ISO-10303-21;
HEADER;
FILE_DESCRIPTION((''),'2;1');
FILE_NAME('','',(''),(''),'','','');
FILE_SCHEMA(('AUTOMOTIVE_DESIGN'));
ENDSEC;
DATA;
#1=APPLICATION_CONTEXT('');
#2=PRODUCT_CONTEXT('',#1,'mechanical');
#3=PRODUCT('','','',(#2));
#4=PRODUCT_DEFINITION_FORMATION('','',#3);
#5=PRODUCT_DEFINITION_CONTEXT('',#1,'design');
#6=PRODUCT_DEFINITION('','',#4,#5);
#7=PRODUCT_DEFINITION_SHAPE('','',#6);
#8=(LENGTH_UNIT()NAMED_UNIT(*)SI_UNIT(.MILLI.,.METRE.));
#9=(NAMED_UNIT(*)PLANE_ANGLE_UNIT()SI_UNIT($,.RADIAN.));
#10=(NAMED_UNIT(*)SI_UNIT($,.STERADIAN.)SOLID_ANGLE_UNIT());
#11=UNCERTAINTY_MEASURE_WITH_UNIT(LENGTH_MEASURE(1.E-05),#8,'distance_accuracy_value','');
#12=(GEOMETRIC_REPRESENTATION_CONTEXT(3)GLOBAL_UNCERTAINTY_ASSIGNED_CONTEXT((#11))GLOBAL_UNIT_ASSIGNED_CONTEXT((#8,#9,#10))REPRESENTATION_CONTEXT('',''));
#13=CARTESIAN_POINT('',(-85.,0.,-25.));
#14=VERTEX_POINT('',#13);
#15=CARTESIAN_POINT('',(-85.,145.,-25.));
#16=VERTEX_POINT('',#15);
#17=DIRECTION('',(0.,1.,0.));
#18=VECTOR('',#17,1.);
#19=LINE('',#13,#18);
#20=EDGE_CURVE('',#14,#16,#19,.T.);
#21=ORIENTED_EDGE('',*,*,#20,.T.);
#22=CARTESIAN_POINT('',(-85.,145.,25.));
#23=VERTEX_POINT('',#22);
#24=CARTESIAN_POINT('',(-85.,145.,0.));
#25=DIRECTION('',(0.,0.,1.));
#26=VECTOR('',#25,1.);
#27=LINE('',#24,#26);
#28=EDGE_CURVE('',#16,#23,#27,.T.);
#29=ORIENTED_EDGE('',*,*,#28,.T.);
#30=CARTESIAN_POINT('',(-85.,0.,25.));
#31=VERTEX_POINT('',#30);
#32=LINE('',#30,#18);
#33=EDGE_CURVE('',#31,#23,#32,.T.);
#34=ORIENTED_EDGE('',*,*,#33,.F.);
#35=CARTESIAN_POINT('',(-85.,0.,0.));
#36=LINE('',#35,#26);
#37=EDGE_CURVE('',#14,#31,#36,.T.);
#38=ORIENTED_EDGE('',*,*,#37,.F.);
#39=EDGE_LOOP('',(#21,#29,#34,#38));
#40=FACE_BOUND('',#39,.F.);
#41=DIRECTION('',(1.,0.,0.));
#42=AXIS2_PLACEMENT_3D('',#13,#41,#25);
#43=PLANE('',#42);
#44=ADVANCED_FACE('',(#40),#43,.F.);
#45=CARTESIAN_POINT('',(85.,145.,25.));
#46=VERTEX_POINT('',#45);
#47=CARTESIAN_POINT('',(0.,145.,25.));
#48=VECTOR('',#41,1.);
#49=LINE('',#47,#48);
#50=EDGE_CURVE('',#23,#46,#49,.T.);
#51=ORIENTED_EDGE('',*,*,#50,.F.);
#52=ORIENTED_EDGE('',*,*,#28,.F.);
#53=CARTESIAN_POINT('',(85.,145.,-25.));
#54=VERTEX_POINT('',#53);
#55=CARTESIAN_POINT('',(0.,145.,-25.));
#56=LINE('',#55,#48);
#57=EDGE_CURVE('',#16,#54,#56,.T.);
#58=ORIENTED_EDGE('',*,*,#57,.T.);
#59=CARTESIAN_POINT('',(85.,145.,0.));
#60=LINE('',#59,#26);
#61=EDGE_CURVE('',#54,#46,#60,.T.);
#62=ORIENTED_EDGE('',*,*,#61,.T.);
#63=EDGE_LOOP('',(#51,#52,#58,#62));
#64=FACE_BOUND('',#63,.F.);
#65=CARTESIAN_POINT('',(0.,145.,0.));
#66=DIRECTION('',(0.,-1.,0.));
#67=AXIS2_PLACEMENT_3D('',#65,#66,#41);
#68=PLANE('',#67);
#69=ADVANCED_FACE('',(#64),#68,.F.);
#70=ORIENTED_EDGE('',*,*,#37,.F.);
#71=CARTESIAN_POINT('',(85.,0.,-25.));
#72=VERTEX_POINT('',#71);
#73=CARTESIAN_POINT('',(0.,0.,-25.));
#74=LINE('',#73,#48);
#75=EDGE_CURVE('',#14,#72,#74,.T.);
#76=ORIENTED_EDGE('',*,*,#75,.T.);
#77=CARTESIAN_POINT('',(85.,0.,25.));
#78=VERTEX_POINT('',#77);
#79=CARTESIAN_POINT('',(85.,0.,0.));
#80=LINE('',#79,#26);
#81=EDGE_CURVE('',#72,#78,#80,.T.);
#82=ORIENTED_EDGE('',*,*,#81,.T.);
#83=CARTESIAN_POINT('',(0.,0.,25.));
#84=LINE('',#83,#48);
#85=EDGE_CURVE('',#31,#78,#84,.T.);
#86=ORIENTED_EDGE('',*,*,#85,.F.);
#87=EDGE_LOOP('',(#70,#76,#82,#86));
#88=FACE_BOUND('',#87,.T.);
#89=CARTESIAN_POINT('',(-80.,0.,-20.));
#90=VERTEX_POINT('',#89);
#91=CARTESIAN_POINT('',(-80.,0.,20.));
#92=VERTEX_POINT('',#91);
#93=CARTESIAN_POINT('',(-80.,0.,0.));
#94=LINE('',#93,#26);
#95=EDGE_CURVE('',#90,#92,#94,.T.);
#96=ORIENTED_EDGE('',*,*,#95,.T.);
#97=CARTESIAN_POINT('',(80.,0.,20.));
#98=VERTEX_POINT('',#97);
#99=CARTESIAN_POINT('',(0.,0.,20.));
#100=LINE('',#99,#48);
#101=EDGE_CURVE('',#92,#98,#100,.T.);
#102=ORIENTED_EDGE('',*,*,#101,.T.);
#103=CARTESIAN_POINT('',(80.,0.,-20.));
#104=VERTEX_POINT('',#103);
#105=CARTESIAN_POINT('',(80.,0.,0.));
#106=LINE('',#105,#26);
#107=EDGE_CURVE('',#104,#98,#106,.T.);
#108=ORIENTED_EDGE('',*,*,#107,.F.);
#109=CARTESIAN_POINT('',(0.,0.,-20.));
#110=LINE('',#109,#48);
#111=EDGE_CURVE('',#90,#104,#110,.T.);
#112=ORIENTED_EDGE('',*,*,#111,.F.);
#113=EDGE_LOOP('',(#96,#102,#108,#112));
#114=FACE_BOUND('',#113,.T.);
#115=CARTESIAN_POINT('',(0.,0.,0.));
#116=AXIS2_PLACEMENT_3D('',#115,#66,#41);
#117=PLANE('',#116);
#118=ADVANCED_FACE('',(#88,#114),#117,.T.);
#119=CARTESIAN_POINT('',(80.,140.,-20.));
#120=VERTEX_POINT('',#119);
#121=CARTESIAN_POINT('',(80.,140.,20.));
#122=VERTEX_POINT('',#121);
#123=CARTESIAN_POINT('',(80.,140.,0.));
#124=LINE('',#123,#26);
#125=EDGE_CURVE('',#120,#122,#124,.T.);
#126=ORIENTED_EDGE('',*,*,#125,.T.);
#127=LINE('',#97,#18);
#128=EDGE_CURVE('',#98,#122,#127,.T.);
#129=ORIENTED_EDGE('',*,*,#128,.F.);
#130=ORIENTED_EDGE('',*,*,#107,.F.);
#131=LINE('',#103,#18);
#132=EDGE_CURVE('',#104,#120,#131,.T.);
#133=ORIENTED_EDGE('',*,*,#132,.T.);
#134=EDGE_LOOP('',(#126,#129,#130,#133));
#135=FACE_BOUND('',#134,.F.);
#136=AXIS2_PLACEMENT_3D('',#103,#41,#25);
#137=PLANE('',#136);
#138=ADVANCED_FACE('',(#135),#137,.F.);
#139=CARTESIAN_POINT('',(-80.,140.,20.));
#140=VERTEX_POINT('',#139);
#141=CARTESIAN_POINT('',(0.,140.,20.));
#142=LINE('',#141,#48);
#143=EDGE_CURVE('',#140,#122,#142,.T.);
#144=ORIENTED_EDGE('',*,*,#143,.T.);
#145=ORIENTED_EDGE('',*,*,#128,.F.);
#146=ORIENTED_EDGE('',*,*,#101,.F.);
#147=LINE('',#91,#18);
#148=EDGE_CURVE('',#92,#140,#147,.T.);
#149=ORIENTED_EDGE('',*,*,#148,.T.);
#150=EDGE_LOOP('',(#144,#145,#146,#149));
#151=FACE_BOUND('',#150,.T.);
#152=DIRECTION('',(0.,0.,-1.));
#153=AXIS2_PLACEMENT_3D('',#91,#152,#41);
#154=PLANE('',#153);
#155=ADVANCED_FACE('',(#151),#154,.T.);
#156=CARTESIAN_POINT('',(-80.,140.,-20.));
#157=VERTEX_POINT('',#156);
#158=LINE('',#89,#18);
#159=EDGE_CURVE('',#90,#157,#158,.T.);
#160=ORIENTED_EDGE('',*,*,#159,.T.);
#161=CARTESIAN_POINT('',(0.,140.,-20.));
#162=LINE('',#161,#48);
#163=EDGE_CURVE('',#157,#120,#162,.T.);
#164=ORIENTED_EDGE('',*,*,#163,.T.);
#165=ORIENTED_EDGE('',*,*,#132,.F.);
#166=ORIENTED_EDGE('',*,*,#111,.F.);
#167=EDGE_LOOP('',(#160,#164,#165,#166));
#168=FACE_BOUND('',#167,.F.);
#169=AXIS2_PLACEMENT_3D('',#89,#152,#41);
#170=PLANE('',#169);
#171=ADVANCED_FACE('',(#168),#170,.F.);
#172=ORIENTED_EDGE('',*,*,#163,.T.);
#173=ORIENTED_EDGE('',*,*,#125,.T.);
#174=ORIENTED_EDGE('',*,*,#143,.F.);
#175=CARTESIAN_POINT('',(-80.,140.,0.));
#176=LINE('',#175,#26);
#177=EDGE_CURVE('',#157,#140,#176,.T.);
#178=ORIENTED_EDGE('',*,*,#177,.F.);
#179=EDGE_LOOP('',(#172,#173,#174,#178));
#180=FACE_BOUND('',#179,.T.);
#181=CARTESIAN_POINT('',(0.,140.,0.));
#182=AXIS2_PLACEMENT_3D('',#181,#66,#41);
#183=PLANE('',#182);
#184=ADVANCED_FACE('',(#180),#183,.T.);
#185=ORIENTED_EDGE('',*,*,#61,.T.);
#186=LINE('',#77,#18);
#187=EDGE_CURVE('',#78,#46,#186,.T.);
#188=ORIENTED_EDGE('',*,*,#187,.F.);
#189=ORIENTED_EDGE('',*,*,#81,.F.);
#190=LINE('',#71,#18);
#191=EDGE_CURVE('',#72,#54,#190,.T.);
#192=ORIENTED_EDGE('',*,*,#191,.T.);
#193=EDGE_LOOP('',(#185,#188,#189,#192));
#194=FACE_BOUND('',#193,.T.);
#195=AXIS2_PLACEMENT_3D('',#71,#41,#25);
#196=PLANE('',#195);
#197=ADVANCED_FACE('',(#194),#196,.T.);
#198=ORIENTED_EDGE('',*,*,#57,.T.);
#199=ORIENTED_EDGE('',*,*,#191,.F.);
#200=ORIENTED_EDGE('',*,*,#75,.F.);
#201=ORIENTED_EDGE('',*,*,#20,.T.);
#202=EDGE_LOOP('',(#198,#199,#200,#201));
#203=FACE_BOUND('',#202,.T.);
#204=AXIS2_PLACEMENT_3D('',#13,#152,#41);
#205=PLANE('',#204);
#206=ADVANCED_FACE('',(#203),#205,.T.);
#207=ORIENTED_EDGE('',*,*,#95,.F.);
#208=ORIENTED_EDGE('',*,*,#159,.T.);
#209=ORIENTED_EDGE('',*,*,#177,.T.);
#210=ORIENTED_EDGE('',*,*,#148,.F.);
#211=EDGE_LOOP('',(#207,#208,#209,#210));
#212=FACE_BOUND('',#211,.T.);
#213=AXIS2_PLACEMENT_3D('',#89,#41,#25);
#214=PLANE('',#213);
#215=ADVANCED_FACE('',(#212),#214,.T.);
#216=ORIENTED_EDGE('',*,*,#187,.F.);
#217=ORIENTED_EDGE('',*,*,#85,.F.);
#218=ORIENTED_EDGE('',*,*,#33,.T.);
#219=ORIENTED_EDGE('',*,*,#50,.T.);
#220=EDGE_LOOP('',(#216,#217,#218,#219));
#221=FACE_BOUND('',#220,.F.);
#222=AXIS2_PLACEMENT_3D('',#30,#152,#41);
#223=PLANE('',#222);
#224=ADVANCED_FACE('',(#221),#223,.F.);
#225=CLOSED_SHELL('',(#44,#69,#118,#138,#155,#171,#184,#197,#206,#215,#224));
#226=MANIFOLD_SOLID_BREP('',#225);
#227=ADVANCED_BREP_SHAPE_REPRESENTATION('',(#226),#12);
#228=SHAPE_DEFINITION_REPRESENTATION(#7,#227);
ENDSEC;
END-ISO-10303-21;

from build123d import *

# Parameters (mm, degrees)
F0_W     = 170
F0_H     = 50
F0_W_2   = 160
F0_H_2   = 40
F1_DEPTH = 145
F2_DEPTH = 140


with BuildPart() as f1:
    # F0 (on Front) → F1 (new body)
    with BuildSketch(Plane.XZ):
        Rectangle(F0_W, F0_H)
        Rectangle(F0_W_2, F0_H_2, mode=Mode.SUBTRACT)
        Rectangle(F0_W_2, F0_H_2)
    extrude(amount=-F1_DEPTH)

    # F0 (on Front) → F2 (cut)
    with BuildSketch(Plane.XZ):
        Rectangle(F0_W_2, F0_H_2)
    extrude(amount=-F2_DEPTH, mode=Mode.SUBTRACT)


solid = f1.part
